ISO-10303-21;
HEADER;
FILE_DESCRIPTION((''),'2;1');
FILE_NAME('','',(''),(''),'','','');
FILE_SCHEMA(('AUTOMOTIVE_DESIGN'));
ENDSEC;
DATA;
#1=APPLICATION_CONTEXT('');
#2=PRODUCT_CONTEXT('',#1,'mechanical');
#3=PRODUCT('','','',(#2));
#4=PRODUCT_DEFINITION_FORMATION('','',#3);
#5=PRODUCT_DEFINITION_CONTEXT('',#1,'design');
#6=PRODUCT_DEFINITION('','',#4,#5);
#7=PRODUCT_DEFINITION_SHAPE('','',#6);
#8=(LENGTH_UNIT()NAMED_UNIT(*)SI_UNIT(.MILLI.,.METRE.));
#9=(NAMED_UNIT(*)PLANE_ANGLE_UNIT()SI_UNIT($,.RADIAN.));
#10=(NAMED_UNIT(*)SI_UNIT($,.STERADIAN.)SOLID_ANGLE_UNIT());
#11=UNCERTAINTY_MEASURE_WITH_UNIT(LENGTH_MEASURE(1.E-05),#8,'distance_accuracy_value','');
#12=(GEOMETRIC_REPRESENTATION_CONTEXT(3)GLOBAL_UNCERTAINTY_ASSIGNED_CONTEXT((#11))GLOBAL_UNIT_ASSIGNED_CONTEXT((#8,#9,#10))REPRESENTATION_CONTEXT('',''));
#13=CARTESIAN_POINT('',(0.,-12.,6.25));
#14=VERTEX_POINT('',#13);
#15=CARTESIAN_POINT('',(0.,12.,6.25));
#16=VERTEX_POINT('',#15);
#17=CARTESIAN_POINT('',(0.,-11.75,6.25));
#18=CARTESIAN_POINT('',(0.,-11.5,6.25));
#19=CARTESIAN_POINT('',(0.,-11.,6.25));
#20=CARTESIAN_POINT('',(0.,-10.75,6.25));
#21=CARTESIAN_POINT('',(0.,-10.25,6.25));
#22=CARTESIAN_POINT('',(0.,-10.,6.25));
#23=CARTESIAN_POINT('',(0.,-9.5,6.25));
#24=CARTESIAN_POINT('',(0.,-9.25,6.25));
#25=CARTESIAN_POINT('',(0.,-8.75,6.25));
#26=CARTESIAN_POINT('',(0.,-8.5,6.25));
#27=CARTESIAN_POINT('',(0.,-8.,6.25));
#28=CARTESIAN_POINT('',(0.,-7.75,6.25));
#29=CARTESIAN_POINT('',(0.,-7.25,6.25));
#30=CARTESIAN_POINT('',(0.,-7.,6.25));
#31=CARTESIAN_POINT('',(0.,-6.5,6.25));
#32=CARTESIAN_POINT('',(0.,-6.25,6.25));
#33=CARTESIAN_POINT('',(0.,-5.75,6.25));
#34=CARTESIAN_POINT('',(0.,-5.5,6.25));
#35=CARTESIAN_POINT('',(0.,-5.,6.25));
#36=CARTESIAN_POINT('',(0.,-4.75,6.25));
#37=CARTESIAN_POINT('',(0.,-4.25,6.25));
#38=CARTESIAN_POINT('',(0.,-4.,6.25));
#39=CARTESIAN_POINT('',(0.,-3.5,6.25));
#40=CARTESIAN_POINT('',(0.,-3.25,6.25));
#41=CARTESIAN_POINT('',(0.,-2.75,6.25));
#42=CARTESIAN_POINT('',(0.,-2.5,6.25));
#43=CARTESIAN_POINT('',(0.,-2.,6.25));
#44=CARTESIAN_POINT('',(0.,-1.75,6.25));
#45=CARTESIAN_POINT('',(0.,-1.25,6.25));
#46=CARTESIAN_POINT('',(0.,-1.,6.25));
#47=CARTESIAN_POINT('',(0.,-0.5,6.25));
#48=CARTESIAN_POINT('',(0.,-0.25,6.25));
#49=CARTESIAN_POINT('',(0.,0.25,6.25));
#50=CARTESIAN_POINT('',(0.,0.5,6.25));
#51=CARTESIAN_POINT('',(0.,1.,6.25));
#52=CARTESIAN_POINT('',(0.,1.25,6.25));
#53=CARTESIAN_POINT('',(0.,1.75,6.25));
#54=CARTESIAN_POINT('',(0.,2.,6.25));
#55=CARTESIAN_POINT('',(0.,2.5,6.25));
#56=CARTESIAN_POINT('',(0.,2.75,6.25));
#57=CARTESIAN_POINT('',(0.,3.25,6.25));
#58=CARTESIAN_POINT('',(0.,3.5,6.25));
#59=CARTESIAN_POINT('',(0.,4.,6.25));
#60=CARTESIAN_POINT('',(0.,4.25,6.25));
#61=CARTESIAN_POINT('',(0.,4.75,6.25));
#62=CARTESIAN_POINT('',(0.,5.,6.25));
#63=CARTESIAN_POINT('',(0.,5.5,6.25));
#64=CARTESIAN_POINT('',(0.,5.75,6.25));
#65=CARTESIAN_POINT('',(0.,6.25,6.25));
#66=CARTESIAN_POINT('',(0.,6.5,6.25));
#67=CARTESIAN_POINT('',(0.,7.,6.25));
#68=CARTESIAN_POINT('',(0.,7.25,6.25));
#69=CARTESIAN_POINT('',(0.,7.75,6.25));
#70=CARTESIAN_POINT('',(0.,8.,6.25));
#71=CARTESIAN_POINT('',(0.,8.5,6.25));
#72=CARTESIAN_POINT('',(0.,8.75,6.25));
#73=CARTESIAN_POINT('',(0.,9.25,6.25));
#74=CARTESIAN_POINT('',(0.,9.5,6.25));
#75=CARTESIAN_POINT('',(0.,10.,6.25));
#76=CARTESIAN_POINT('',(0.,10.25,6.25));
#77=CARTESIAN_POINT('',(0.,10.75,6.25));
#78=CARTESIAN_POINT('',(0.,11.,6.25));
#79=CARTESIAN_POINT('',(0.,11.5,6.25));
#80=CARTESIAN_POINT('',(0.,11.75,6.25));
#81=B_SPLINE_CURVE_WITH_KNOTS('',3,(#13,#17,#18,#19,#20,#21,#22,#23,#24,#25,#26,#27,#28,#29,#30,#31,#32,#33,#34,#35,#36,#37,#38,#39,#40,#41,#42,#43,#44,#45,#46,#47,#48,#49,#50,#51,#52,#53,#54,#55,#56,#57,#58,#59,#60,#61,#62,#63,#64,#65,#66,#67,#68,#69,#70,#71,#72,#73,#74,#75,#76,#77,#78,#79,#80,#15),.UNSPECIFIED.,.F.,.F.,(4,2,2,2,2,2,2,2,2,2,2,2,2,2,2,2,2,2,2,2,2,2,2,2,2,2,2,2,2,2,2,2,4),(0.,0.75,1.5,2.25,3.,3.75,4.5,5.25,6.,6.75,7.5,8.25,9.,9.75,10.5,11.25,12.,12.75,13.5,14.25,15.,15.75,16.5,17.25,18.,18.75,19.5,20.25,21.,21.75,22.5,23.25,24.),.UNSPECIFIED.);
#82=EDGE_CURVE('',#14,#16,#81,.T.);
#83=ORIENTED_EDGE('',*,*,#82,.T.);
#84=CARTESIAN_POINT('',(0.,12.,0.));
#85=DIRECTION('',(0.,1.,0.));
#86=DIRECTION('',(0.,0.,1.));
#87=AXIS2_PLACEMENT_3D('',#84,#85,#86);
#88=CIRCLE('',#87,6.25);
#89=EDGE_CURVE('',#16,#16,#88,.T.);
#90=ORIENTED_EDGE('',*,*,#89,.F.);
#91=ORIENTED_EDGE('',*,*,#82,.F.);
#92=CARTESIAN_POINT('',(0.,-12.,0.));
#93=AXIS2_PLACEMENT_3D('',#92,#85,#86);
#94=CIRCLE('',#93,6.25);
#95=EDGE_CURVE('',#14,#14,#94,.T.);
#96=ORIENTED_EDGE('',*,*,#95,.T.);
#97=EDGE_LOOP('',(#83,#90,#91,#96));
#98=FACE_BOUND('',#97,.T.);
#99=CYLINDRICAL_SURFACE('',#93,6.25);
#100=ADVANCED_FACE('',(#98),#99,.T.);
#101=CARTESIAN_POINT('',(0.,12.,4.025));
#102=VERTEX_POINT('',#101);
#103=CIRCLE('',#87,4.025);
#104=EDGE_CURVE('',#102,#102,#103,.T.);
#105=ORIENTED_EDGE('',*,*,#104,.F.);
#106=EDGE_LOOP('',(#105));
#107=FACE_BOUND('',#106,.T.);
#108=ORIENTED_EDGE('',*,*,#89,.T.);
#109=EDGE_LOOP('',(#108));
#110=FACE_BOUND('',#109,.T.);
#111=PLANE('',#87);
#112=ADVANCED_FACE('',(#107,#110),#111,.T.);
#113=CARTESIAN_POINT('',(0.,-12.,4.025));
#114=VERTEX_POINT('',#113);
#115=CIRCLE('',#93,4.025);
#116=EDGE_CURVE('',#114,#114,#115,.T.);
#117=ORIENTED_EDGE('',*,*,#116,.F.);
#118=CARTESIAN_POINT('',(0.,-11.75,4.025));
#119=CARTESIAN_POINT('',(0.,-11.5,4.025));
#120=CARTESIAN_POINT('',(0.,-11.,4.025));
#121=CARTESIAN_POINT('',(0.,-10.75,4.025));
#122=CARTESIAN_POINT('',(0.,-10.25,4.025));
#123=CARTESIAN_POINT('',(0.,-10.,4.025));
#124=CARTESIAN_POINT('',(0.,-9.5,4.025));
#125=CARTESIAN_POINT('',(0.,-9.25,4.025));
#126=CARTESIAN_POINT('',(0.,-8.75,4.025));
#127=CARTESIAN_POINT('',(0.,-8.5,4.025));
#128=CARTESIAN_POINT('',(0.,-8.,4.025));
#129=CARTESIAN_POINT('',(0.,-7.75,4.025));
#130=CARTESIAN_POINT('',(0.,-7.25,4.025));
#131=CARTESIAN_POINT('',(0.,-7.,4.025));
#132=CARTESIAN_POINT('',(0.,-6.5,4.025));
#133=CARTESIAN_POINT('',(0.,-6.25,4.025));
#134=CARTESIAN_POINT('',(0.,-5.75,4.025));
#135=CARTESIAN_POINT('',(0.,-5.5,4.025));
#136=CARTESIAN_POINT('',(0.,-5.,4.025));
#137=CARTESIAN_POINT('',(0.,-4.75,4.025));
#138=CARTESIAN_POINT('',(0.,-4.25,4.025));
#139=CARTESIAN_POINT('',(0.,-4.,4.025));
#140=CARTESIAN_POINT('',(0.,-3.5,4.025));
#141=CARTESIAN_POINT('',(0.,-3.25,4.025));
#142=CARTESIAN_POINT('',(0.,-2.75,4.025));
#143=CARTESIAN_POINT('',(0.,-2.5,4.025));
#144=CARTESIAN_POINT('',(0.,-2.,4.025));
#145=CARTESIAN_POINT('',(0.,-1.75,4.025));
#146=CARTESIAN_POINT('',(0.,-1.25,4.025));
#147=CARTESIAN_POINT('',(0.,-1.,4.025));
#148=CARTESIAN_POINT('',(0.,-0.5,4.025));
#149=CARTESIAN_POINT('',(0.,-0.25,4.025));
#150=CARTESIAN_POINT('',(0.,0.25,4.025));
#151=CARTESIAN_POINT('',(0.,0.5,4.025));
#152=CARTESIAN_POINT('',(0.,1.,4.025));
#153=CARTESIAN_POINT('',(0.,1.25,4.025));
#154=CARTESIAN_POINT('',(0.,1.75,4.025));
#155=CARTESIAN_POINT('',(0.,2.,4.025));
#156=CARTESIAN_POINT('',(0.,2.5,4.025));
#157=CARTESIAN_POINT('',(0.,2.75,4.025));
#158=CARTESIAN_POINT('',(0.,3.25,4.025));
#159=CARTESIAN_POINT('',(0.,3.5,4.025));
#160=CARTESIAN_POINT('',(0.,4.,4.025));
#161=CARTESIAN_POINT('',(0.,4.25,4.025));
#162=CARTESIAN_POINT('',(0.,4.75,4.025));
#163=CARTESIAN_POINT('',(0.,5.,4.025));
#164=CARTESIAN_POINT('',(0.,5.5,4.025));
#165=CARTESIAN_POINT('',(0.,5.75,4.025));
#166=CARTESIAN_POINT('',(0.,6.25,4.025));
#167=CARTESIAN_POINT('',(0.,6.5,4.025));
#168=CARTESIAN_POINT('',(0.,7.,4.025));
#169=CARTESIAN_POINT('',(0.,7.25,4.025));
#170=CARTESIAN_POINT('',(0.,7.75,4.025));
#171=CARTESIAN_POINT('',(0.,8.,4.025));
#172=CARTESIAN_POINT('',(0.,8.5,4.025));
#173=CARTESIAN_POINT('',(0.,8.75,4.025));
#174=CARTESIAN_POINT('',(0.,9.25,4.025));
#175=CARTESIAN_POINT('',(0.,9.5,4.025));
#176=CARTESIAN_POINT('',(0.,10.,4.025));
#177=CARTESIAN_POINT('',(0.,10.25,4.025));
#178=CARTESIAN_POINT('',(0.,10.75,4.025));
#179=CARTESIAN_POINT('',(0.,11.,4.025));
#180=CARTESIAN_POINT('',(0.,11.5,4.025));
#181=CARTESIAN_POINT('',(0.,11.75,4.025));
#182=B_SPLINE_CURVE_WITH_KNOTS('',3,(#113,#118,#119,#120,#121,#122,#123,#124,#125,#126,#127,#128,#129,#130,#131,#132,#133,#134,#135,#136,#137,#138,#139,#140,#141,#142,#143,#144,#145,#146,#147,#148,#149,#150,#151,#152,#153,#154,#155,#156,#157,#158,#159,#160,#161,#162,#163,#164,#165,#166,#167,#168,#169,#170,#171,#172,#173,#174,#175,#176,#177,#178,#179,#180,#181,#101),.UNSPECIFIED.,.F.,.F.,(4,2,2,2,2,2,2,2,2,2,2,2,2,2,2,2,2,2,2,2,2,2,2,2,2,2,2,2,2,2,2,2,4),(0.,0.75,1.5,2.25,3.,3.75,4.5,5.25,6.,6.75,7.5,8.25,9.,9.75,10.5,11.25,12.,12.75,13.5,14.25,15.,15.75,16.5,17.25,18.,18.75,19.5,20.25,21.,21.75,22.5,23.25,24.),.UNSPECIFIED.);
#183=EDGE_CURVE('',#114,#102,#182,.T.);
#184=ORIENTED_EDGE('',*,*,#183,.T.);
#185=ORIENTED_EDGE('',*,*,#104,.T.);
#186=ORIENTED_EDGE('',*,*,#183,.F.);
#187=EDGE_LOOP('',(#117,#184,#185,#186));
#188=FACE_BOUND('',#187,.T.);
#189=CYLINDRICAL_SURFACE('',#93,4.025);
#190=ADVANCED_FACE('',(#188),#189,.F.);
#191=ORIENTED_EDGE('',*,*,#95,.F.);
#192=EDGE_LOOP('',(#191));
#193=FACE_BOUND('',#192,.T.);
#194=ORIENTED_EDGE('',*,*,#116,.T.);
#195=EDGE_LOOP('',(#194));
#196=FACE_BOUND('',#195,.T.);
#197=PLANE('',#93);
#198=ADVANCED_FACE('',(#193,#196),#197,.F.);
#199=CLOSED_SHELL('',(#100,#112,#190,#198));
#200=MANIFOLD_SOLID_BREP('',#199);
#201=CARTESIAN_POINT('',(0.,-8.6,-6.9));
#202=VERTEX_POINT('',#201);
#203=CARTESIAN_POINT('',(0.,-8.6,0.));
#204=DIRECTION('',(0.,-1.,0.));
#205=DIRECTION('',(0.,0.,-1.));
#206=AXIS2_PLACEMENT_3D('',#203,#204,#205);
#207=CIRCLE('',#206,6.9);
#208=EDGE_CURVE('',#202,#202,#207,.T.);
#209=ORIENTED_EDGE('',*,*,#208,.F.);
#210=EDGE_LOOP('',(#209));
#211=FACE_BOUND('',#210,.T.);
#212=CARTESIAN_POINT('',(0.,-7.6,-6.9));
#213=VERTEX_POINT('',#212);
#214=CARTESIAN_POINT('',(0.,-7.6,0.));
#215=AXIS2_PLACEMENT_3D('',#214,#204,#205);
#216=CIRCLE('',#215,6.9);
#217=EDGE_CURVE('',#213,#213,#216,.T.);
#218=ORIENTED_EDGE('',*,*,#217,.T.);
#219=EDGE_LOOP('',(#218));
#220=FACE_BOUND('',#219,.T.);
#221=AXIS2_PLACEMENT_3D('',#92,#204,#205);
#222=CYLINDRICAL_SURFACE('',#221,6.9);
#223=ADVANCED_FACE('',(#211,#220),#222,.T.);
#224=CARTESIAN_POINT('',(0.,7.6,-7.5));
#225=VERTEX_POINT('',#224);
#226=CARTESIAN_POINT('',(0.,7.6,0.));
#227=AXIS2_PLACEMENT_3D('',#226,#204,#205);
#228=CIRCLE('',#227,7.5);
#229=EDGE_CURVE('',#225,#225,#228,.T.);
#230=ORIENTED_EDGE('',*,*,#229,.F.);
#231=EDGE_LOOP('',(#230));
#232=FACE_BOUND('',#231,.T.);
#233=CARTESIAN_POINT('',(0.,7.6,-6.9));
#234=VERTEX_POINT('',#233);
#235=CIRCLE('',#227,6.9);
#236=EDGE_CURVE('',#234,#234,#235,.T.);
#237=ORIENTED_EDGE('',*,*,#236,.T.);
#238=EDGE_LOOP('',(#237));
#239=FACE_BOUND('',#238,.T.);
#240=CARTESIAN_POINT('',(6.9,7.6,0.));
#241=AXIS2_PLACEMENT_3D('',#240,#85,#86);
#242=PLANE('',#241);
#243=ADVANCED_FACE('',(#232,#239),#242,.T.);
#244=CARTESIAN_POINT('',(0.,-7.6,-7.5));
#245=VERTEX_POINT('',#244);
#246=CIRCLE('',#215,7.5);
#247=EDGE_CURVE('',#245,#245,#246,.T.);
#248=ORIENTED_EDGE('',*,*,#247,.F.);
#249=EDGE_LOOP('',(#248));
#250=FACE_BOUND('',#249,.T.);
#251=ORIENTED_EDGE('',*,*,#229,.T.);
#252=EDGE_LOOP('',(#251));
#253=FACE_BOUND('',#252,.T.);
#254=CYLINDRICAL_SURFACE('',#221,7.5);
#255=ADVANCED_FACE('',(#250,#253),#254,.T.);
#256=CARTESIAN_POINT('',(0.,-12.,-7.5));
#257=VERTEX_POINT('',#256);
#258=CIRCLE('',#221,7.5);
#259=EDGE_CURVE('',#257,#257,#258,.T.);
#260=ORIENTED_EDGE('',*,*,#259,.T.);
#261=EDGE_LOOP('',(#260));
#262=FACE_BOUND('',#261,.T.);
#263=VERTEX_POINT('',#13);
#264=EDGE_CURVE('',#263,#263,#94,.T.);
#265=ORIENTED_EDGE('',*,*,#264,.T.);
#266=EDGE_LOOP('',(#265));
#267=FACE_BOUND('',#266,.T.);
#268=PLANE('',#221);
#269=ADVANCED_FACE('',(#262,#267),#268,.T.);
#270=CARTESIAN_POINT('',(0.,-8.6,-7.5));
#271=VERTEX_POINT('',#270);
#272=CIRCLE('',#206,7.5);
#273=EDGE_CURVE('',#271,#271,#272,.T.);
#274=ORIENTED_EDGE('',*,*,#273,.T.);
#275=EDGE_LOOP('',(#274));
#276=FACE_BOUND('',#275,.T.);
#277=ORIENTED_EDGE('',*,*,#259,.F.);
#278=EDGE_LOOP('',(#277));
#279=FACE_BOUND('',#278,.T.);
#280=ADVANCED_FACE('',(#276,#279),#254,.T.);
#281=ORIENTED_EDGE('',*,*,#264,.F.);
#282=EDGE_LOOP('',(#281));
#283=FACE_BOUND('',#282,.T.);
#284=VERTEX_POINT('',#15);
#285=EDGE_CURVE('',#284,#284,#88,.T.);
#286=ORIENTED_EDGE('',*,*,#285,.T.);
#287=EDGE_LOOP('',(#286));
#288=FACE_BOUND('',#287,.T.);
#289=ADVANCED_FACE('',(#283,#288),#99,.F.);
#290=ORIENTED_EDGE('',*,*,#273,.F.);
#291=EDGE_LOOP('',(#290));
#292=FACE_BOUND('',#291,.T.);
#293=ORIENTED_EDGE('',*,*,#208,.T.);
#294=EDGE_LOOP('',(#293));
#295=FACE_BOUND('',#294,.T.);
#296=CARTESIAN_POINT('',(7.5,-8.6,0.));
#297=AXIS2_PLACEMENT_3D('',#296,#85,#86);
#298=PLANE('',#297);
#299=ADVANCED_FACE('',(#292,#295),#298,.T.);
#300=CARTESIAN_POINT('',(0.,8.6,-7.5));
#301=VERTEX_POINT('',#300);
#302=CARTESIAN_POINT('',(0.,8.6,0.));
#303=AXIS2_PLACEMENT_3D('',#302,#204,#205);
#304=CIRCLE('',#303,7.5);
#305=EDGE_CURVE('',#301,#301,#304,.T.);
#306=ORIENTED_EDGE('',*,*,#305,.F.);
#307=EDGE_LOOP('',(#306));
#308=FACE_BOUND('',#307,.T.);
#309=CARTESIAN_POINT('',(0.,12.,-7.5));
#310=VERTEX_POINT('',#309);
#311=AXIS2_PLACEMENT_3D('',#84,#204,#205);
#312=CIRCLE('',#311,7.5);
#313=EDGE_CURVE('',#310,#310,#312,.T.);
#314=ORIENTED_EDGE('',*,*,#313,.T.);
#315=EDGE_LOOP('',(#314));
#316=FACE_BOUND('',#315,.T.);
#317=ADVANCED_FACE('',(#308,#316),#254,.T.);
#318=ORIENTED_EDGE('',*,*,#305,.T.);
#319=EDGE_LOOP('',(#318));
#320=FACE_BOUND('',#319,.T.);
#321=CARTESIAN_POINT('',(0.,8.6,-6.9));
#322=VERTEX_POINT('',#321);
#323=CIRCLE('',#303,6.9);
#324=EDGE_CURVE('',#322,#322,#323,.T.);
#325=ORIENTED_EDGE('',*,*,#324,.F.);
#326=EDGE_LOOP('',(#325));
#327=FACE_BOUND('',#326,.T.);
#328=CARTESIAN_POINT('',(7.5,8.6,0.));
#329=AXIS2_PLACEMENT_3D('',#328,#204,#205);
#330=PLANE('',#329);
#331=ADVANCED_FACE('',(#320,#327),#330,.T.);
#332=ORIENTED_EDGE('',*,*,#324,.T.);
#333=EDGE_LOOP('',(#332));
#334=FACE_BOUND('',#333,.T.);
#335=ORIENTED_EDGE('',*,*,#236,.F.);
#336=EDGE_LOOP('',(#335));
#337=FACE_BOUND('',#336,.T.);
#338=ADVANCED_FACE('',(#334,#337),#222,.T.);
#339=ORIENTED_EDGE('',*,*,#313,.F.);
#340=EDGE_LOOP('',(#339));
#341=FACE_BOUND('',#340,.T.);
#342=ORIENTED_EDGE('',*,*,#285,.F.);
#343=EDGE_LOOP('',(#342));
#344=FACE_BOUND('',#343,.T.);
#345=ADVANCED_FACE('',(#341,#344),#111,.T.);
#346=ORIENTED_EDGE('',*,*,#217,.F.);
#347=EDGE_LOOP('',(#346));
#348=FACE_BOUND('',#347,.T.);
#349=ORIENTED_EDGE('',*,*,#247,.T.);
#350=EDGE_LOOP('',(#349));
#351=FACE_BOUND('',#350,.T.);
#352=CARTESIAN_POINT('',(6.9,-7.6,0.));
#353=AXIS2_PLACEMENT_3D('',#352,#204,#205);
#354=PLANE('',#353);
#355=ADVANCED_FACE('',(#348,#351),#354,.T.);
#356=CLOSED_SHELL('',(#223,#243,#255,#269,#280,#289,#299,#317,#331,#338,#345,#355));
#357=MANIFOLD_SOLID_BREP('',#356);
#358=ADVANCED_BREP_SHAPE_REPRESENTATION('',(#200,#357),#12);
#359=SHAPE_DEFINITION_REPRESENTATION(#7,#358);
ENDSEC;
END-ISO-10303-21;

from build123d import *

# Parameters (mm, degrees)
CROQUIS2_R              = 6.25
CORTAR_EXTRUIR1_DEPTH   = 27.239283527
CROQUIS3_R              = 6.25
CROQUIS3_R_2            = 4.025
SALIENTE_EXTRUIR1_DEPTH = 24


with BuildPart() as part:
    # Croquis1 → Revolución2 (revolve)
    with BuildSketch(Plane.XY, mode=Mode.PRIVATE) as revoluci_n2_sk:
        Polygon((0, -12), (0, 12), (7.5, 12), (7.5, 8.6), (6.9, 8.6), (6.9, 7.6), (7.5, 7.6), (7.5, -7.6), (6.9, -7.6), (6.9, -8.6), (7.5, -8.6), (7.5, -12), align=None)
    revolve(revoluci_n2_sk.sketch.rotate(Axis((0, -12, 0), (0, 1, 0)), 90), axis=Axis((0, -12, 0), (0, 1, 0)))

    # Croquis2 → Cortar-Extruir1 (cut, through all)
    with BuildSketch(Plane(origin=(0, 12, 0), x_dir=(1, 0, 0), z_dir=(0, 1, 0))):
        with Locations(Location((0, 0, 0), (0, 0, 270))):
            Circle(CROQUIS2_R)
    extrude(amount=-CORTAR_EXTRUIR1_DEPTH, mode=Mode.SUBTRACT)


with BuildPart() as body_2:
    # Croquis3 → Saliente-Extruir1 (new body)
    with BuildSketch(Plane(origin=(0, 12, 0), x_dir=(1, 0, 0), z_dir=(0, 1, 0))):
        with Locations(Location((0, 0, 0), (0, 0, 270))):
            Circle(CROQUIS3_R)
        with Locations(Location((0, 0, 0), (0, 0, 270))):
            Circle(CROQUIS3_R_2, mode=Mode.SUBTRACT)
    extrude(amount=-SALIENTE_EXTRUIR1_DEPTH)


solid = Compound([part.part, body_2.part])
